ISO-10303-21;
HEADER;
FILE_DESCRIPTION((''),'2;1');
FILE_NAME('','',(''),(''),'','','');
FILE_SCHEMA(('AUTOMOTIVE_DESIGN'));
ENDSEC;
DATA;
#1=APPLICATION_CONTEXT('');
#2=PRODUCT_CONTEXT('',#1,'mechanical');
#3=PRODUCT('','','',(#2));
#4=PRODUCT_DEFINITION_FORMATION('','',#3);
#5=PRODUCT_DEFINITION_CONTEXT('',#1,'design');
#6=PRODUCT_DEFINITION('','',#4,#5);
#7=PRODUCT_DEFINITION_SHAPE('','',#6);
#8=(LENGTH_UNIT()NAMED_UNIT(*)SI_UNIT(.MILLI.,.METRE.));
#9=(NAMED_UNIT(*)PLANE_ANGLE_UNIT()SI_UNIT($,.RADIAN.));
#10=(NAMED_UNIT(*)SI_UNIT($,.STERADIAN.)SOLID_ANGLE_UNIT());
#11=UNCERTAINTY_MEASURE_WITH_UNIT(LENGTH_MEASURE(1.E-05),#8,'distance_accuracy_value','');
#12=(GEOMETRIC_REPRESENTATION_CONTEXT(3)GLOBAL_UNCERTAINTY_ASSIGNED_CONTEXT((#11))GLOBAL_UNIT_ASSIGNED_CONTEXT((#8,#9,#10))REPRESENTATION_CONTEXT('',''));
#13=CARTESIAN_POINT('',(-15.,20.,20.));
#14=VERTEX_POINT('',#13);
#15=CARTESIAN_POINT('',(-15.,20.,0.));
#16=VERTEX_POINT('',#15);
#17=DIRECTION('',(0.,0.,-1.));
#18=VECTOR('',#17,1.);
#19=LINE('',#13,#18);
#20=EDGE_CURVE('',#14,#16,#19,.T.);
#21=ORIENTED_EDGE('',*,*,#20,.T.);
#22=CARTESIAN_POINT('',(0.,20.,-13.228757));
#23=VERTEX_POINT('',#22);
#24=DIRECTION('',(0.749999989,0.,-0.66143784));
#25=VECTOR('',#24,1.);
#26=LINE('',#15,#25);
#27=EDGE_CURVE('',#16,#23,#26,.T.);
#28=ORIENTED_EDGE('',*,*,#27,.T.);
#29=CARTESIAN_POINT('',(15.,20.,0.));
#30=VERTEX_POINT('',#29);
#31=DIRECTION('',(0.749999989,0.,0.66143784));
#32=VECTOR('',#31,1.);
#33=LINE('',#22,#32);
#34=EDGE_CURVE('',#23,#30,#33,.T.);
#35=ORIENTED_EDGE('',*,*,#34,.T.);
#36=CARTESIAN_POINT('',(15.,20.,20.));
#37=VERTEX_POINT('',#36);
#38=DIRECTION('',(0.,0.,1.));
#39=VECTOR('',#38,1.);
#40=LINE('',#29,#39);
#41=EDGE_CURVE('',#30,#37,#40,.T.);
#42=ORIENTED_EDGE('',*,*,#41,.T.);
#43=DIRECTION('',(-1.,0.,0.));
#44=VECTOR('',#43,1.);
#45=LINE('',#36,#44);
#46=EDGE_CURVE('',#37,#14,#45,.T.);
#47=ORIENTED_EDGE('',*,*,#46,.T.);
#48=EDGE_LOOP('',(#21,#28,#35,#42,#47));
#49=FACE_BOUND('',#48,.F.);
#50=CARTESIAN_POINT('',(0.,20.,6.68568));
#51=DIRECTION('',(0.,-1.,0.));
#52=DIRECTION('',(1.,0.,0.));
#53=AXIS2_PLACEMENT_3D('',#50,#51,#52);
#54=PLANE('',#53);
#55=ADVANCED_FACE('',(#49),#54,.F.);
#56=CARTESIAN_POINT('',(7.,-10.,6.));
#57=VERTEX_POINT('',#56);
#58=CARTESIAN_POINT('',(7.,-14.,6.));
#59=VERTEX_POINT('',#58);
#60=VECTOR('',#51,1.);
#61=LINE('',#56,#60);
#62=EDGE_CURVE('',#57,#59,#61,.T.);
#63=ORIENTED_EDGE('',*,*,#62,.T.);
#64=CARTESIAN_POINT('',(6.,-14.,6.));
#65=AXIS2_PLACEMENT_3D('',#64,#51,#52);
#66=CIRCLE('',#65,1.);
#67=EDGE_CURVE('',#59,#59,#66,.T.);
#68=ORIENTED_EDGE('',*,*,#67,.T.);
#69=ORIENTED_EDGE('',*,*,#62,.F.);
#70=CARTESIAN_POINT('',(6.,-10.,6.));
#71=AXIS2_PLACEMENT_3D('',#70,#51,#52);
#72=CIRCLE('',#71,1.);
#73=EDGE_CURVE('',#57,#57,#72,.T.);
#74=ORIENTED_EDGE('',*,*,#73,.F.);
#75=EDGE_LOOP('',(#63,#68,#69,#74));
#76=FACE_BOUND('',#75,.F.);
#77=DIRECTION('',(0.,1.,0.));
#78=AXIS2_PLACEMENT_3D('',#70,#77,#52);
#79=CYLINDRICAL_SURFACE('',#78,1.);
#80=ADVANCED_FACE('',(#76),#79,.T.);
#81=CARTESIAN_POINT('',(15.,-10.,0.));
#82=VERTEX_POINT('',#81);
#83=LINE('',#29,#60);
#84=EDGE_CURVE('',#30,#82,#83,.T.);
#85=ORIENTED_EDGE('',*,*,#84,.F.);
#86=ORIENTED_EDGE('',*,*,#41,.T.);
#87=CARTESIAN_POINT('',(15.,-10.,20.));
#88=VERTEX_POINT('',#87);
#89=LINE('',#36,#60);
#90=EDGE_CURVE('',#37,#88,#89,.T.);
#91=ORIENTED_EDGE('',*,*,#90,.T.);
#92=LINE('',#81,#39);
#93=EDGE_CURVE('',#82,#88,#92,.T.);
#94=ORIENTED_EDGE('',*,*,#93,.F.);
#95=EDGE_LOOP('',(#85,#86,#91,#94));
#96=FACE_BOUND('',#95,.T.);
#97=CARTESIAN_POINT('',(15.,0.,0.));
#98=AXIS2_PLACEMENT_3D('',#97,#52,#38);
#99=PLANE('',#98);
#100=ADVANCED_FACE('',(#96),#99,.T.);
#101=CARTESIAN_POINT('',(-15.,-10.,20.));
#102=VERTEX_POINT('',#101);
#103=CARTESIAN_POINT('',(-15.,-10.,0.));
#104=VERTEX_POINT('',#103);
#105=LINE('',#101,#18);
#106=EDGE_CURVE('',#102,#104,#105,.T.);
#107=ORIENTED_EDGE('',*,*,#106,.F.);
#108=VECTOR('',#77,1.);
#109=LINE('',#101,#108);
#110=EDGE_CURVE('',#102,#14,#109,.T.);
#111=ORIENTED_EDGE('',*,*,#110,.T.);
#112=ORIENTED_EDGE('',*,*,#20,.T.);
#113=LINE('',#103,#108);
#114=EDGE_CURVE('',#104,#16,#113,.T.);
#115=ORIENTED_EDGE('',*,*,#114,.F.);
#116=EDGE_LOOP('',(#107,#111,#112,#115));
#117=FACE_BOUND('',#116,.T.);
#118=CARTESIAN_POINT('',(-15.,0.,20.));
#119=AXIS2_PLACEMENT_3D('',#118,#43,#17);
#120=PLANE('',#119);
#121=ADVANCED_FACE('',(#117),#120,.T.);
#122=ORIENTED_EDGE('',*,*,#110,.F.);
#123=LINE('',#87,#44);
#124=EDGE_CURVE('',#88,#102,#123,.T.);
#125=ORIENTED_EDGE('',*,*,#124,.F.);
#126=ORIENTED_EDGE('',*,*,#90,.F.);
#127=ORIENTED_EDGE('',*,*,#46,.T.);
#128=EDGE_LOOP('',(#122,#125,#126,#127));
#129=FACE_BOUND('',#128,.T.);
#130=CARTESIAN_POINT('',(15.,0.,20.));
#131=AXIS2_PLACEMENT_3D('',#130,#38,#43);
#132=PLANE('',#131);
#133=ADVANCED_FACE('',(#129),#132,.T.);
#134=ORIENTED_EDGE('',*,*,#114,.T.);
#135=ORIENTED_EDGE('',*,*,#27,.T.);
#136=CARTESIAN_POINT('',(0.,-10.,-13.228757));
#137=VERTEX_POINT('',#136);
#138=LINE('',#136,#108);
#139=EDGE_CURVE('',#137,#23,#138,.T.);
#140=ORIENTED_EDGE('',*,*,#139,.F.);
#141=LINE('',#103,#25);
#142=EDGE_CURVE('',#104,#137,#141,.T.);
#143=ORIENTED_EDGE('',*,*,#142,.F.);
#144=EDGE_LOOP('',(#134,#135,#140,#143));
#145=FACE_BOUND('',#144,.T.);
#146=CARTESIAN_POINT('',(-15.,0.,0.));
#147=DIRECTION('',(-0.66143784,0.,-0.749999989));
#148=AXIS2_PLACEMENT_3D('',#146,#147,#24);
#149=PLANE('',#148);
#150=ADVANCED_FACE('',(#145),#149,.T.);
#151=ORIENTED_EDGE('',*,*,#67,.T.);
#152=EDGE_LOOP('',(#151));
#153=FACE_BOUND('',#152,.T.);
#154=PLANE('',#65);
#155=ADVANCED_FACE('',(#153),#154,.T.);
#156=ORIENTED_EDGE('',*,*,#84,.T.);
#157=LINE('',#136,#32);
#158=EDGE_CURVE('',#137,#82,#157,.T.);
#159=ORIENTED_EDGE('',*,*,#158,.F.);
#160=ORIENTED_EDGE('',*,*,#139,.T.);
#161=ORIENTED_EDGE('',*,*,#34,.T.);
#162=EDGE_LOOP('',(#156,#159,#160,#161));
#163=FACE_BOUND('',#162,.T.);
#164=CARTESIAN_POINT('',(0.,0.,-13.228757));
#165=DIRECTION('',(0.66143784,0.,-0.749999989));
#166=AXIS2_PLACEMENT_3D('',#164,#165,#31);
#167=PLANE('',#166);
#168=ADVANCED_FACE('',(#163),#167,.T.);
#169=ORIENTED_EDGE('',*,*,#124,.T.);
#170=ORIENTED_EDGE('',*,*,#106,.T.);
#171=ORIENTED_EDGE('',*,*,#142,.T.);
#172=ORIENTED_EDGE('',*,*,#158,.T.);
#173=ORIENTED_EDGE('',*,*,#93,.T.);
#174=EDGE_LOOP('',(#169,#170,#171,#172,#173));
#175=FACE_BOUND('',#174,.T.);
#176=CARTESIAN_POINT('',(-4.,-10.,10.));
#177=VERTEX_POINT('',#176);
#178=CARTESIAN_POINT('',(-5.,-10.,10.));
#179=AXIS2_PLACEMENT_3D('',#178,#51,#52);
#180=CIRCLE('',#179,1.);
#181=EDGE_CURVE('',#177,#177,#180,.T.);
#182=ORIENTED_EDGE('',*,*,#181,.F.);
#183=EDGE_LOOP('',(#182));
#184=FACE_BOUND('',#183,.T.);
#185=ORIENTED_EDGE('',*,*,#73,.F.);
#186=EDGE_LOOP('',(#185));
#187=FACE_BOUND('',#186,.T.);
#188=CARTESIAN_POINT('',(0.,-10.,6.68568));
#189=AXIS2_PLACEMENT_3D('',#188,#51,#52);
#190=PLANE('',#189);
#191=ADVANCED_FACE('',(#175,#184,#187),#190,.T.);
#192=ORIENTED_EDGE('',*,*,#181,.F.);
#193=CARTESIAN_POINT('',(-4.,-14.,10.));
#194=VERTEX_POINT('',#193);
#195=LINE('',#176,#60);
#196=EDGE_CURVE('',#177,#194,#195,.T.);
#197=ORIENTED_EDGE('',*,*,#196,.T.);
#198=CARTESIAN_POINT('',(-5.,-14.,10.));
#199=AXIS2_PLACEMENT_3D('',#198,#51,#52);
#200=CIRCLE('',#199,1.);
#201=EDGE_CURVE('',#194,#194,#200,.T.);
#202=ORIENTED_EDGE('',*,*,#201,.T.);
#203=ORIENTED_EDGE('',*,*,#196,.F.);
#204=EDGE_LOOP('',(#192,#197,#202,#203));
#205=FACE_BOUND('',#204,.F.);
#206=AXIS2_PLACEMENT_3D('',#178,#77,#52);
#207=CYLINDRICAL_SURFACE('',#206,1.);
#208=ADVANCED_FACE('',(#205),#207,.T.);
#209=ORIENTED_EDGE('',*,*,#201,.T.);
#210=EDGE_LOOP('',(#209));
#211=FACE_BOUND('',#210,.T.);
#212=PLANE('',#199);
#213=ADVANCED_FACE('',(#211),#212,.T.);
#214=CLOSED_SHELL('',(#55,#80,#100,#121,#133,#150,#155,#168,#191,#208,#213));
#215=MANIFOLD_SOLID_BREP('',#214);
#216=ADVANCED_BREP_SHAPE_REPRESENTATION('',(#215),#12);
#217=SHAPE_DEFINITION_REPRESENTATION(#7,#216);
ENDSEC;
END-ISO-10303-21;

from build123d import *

# Parameters (mm, degrees)
F1_DEPTH      = 10
F1_DEPTH_BACK = 20
F2_R          = 1
F3_DEPTH      = 4


with BuildPart() as f1:
    # F0 (on Front) → F1 (new body, two sides)
    with BuildSketch(Plane.XZ) as f1_sk:
        Polygon((0, -13.228757), (15, 0), (15, 20), (0, 20), (-15, 20), (-15, 0), align=None)
    extrude(amount=F1_DEPTH)
    extrude(f1_sk.sketch, amount=-F1_DEPTH_BACK)

    # F2 (on face) → F3 (join)
    with BuildSketch(Plane.XZ.offset(10)):
        with Locations((-5, 10)):
            Circle(F2_R)
        with Locations((6, 6)):
            Circle(F2_R)
    extrude(amount=F3_DEPTH)


solid = f1.part
